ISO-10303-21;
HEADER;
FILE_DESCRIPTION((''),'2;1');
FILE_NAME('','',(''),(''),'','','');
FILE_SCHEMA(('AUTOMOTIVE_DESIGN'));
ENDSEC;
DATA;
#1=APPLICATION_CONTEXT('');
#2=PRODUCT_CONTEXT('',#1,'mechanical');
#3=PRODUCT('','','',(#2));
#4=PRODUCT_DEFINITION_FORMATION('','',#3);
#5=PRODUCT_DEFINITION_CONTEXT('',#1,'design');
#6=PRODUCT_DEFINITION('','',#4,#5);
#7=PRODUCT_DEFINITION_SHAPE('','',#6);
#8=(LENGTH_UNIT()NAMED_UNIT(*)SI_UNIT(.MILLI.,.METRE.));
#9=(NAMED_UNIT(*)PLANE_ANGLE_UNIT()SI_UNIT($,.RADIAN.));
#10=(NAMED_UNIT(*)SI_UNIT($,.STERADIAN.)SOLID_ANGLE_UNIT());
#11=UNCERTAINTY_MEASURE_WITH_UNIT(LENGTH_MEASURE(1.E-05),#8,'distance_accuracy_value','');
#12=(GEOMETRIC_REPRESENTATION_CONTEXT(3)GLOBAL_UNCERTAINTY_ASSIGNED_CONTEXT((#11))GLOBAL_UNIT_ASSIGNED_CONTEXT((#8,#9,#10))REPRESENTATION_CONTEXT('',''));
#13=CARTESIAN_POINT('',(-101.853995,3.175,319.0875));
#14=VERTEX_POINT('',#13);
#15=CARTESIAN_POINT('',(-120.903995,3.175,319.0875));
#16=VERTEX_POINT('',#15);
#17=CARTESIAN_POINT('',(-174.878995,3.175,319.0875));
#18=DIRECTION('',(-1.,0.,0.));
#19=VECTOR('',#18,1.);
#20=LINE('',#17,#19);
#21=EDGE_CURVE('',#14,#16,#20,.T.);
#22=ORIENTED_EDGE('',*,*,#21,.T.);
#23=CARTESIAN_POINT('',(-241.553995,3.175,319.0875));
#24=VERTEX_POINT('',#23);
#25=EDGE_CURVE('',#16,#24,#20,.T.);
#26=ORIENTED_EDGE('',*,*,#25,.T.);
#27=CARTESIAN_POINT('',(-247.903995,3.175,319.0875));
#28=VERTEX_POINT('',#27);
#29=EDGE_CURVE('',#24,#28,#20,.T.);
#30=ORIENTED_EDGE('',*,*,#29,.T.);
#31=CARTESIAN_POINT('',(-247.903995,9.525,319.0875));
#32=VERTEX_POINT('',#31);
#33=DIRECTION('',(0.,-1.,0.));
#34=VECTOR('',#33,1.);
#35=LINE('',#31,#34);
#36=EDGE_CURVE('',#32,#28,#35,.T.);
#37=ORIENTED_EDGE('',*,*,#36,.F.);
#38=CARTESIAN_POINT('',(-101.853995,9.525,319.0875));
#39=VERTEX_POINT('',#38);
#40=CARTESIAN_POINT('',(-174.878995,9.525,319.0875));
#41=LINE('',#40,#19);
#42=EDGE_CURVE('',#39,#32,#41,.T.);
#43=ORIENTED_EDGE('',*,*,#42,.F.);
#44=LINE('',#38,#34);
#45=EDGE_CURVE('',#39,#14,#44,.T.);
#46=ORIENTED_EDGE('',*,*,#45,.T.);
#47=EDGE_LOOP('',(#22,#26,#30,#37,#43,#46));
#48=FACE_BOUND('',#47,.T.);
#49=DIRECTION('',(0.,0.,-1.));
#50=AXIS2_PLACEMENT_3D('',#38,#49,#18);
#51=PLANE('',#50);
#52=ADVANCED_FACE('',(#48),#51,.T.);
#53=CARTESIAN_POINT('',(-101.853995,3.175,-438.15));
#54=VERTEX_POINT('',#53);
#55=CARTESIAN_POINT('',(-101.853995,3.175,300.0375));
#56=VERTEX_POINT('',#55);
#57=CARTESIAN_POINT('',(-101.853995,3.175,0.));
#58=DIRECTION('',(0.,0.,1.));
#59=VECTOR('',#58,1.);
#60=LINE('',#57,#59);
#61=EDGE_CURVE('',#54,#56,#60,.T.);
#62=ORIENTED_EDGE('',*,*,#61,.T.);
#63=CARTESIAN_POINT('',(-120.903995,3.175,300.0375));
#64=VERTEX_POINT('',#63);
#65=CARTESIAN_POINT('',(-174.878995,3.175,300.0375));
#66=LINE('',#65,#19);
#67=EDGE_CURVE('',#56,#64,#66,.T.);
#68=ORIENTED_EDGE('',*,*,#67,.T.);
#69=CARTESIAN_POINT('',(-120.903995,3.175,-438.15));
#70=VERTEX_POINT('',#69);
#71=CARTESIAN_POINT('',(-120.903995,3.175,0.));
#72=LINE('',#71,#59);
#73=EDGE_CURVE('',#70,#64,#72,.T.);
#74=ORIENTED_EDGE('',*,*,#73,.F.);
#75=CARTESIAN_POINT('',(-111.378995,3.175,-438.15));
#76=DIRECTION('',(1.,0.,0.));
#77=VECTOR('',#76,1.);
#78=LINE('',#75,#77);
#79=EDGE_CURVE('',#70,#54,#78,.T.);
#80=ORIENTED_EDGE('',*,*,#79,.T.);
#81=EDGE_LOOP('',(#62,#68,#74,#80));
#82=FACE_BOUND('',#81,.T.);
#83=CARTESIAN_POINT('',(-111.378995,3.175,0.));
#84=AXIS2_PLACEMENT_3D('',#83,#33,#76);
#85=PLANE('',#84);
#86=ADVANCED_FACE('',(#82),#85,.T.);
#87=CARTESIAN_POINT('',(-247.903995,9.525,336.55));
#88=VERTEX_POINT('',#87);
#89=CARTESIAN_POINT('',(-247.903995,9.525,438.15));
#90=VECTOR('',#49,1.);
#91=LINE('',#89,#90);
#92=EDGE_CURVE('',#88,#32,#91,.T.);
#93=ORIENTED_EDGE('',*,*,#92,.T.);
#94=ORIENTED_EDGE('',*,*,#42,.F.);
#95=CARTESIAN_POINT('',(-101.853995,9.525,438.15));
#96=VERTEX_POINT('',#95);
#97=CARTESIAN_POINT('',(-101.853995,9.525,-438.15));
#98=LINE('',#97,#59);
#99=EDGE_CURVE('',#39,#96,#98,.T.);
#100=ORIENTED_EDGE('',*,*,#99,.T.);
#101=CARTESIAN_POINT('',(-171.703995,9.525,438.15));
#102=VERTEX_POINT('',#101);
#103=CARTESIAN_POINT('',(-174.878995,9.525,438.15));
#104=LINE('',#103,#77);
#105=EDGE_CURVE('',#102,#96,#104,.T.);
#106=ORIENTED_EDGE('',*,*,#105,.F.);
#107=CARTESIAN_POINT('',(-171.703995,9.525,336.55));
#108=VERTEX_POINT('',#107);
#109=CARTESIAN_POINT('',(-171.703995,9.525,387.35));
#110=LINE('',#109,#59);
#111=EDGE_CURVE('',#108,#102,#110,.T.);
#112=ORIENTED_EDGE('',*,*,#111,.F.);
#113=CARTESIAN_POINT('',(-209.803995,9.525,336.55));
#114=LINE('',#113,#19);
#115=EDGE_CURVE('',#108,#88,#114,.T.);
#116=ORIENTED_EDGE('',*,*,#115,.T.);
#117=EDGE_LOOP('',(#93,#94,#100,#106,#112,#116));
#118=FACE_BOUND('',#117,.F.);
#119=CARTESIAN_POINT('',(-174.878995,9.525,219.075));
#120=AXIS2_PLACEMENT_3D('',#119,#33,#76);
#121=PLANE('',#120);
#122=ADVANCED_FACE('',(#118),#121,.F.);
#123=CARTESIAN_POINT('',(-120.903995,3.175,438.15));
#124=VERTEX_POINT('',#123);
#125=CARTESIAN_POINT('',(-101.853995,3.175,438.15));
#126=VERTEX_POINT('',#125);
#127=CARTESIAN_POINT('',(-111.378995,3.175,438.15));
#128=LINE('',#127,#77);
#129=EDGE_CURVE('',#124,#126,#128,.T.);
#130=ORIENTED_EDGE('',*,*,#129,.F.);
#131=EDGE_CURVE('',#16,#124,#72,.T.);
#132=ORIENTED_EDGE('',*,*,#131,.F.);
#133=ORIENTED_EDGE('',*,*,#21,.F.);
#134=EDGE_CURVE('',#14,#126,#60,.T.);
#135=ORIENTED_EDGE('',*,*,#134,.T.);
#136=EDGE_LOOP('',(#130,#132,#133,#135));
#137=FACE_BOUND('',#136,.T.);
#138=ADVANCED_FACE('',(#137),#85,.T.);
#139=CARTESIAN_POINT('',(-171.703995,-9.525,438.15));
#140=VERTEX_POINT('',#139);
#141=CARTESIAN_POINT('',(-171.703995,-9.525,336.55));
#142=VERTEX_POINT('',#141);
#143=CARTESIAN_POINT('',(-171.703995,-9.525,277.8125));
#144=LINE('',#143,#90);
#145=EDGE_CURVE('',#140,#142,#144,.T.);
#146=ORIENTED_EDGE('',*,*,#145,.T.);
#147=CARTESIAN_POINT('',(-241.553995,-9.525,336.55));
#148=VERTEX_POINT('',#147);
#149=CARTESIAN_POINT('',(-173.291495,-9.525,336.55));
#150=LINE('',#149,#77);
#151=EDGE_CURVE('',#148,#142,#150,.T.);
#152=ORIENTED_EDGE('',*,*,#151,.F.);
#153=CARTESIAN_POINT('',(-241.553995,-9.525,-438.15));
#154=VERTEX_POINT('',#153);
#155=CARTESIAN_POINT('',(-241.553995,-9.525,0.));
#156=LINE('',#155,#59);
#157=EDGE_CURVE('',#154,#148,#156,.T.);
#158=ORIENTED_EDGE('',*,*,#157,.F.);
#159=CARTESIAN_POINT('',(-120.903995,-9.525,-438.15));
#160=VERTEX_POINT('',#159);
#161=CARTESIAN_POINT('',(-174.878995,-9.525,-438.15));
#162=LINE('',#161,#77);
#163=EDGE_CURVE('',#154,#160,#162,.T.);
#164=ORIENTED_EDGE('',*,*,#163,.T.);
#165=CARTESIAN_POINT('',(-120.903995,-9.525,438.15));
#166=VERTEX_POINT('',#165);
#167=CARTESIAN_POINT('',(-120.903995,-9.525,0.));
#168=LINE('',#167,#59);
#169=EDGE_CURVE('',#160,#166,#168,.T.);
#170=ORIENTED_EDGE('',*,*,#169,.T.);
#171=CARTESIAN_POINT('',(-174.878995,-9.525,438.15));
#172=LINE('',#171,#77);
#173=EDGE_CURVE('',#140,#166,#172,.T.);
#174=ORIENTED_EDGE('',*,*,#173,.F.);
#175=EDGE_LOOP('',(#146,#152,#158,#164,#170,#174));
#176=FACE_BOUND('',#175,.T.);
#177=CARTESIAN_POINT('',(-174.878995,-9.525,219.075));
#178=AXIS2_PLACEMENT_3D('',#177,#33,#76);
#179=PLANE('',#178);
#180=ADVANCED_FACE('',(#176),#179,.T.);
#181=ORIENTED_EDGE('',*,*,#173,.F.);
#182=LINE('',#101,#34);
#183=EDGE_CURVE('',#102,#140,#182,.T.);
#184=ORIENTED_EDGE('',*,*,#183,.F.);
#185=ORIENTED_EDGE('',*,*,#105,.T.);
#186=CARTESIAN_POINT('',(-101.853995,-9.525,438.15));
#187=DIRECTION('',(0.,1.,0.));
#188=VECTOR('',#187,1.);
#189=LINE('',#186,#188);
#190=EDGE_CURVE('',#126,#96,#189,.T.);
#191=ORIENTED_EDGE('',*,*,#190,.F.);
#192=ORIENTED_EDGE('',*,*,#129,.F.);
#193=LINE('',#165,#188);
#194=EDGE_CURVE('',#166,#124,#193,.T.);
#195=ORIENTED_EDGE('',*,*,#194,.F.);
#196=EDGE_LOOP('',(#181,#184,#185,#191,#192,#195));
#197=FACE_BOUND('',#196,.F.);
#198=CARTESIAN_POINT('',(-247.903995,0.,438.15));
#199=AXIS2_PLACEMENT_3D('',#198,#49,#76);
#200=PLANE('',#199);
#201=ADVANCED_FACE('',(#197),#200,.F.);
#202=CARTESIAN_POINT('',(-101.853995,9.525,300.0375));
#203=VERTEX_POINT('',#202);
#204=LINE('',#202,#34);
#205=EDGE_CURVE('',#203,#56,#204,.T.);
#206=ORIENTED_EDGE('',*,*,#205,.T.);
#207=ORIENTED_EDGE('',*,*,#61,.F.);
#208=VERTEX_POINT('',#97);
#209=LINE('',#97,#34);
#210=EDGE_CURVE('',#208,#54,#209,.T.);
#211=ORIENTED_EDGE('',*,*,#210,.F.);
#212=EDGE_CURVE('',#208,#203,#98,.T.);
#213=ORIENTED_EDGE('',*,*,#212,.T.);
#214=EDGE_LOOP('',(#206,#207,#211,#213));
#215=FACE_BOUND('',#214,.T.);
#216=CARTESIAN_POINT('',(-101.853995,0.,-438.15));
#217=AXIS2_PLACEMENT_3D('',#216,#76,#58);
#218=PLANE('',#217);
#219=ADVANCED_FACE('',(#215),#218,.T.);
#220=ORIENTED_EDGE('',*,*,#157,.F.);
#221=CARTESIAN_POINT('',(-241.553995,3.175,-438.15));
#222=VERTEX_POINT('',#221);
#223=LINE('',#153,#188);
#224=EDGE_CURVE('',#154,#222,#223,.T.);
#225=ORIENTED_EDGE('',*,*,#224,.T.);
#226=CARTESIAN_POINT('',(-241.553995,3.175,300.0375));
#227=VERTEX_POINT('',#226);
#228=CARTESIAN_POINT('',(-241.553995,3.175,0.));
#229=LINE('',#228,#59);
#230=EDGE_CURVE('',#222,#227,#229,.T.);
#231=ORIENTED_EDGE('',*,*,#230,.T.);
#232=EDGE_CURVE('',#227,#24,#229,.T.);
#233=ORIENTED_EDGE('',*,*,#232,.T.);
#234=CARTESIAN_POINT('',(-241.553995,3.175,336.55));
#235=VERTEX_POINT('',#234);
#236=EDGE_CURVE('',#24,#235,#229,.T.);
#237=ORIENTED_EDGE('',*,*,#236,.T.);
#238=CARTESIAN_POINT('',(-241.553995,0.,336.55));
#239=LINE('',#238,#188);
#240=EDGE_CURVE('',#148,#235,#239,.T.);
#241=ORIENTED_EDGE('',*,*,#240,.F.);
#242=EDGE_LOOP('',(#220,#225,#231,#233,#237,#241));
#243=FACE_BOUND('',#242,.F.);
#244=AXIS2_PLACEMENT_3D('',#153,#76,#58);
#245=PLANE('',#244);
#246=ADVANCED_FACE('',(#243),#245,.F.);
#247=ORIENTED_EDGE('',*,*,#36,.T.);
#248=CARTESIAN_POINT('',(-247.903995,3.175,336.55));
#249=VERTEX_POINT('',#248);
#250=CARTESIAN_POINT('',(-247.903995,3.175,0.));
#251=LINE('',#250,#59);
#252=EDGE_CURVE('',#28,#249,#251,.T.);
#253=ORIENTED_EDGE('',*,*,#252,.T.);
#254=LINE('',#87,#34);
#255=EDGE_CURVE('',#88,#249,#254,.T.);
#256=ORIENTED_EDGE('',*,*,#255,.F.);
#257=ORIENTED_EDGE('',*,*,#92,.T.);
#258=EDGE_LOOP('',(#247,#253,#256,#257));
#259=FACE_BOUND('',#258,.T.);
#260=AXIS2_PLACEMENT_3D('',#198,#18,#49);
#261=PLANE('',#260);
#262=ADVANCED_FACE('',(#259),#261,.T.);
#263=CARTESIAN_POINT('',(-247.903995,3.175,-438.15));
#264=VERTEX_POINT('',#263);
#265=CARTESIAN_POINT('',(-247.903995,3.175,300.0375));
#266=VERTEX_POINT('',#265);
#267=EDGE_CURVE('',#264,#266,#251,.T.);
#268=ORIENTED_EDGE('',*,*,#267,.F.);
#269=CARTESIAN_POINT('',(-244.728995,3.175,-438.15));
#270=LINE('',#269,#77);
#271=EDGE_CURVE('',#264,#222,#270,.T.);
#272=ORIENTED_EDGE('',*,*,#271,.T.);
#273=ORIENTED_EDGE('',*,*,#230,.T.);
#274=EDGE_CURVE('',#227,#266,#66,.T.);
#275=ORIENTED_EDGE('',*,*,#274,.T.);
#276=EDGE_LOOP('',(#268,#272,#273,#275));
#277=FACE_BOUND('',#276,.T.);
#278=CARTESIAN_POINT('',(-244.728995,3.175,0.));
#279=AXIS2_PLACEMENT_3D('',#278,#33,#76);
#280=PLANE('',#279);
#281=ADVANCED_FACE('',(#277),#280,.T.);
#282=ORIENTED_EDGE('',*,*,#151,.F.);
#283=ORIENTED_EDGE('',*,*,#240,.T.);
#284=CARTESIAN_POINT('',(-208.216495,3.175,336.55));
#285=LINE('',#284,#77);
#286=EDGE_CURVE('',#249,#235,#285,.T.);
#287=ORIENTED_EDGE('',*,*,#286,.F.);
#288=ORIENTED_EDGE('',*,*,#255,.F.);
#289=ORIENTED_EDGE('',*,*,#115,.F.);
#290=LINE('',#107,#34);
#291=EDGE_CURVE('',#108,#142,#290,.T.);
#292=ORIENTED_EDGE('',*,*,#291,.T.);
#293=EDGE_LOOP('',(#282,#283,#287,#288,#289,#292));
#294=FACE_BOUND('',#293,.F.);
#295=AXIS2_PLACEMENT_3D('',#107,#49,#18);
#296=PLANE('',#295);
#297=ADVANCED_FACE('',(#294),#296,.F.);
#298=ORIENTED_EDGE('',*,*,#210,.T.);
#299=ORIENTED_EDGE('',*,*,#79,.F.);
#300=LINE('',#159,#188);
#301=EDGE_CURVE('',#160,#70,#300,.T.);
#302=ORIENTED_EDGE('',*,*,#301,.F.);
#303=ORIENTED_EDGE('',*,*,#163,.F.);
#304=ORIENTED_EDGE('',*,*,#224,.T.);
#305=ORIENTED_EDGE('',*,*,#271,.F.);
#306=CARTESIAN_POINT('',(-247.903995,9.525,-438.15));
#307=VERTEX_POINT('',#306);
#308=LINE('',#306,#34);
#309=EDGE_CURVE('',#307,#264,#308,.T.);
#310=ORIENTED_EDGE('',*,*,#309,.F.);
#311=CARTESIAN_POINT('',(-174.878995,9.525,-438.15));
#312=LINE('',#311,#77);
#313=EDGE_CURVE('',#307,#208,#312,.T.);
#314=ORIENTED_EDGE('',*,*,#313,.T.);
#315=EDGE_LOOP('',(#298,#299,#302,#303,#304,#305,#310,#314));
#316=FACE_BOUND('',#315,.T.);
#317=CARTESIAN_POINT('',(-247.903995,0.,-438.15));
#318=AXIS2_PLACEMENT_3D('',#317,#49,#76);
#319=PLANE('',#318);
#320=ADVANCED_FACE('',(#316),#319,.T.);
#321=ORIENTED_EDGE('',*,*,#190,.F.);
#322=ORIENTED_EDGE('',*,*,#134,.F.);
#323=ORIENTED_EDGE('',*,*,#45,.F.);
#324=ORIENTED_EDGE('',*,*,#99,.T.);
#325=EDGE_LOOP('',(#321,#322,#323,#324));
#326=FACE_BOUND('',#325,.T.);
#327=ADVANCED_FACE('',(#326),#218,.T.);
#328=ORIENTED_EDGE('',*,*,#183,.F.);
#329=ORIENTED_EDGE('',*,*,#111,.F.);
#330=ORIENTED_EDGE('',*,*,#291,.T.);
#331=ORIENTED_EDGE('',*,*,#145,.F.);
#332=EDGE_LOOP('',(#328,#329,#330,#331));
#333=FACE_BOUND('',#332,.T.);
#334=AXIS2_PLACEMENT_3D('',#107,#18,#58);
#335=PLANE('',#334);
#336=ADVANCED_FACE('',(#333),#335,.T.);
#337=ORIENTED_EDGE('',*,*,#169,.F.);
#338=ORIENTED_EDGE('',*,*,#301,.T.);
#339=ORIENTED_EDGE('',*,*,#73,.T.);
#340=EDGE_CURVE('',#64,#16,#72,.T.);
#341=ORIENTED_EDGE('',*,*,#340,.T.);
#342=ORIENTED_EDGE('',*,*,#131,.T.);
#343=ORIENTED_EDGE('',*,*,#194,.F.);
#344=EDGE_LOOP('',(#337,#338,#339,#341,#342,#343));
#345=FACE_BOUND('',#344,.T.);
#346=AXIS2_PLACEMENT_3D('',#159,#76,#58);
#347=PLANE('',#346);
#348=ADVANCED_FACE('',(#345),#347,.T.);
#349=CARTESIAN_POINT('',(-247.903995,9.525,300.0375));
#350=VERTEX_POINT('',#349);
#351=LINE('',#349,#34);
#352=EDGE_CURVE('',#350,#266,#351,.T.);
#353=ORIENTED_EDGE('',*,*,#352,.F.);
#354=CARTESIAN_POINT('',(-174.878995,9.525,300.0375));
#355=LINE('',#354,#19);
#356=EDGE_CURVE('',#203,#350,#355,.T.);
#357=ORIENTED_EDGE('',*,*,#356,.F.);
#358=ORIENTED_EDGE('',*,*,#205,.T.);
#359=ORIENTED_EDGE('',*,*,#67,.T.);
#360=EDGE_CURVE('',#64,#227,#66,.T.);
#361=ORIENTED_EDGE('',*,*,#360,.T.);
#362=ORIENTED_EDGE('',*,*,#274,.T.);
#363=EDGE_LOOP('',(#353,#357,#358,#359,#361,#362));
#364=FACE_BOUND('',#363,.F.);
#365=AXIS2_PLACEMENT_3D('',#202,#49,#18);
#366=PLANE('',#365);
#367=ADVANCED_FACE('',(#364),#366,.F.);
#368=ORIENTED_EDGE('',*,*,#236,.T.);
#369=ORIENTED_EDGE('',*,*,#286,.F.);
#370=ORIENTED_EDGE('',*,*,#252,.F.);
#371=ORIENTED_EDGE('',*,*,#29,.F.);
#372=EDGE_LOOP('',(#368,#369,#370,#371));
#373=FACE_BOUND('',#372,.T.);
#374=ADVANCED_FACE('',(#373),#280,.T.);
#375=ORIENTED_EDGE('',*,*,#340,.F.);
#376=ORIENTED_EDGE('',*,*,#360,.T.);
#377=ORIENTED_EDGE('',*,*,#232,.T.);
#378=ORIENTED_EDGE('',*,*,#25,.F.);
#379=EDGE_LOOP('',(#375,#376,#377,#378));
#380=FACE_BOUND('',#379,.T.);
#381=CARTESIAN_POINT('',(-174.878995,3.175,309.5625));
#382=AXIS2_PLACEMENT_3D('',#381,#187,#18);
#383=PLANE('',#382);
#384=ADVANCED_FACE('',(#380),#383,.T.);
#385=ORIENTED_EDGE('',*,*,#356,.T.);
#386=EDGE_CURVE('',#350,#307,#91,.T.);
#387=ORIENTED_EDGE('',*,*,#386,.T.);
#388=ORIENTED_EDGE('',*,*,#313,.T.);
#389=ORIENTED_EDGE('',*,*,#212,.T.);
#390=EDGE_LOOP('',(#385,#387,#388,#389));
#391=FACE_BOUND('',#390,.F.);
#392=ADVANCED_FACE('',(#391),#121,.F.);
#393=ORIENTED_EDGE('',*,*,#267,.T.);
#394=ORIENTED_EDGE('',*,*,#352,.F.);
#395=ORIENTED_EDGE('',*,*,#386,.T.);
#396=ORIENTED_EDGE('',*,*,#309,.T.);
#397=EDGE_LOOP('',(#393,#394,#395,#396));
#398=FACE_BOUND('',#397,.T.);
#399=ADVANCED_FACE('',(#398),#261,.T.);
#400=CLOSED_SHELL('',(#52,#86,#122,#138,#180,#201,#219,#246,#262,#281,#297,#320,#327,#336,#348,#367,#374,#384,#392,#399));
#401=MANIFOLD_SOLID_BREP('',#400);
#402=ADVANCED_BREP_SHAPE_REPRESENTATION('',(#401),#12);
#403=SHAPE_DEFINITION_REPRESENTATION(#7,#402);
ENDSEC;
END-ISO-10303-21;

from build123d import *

# Parameters (mm, degrees)
F0_W     = 146.05
F0_H     = 438.15
F1_DEPTH = 9.525
F2_W     = 146.05
F2_H     = 19.05
F3_DEPTH = 6.35
F4_W     = 19.05
F4_H     = 876.3
F5_DEPTH = 12.7
F6_W     = 6.35
F6_H     = 876.3
F7_DEPTH = 12.7
F8_W     = 76.2
F8_H     = 101.6
F9_DEPTH = 19.051


with BuildPart() as f1:
    # F0 (on Front) → F1 (new body, symmetric)
    with BuildSketch(Plane.XZ):
        with Locations((-174.8789953259, 219.075)):
            Rectangle(F0_W, F0_H)
        with Locations((-174.8789953259, -219.075)):
            Rectangle(F0_W, F0_H)
    extrude(amount=F1_DEPTH, both=True)

    # F2 (on face) → F3 (cut)
    with BuildSketch(Plane(origin=(0, 9.525, 0), x_dir=(-1, 0, 0), z_dir=(0, 1, 0))):
        with Locations((174.8789953259, 309.5625)):
            Rectangle(F2_W, F2_H)
    extrude(amount=-F3_DEPTH, mode=Mode.SUBTRACT)

    # F4 (on face) → F5 (cut)
    with BuildSketch(Plane.XZ.offset(9.525)):
        with Locations((-111.3789953259, 0)):
            Rectangle(F4_W, F4_H)
    extrude(amount=-F5_DEPTH, mode=Mode.SUBTRACT)

    # F6 (on face) → F7 (cut)
    with BuildSketch(Plane.XZ.offset(9.525)):
        with Locations((-244.7289953259, 0)):
            Rectangle(F6_W, F6_H)
    extrude(amount=-F7_DEPTH, mode=Mode.SUBTRACT)

    # F8 (on face) → F9 (cut, through all)
    with BuildSketch(Plane(origin=(0, 9.525, 0), x_dir=(-1, 0, 0), z_dir=(0, 1, 0))):
        with Locations((209.8039953259, 387.35)):
            Rectangle(F8_W, F8_H)
    extrude(amount=-F9_DEPTH, mode=Mode.SUBTRACT)


solid = f1.part
